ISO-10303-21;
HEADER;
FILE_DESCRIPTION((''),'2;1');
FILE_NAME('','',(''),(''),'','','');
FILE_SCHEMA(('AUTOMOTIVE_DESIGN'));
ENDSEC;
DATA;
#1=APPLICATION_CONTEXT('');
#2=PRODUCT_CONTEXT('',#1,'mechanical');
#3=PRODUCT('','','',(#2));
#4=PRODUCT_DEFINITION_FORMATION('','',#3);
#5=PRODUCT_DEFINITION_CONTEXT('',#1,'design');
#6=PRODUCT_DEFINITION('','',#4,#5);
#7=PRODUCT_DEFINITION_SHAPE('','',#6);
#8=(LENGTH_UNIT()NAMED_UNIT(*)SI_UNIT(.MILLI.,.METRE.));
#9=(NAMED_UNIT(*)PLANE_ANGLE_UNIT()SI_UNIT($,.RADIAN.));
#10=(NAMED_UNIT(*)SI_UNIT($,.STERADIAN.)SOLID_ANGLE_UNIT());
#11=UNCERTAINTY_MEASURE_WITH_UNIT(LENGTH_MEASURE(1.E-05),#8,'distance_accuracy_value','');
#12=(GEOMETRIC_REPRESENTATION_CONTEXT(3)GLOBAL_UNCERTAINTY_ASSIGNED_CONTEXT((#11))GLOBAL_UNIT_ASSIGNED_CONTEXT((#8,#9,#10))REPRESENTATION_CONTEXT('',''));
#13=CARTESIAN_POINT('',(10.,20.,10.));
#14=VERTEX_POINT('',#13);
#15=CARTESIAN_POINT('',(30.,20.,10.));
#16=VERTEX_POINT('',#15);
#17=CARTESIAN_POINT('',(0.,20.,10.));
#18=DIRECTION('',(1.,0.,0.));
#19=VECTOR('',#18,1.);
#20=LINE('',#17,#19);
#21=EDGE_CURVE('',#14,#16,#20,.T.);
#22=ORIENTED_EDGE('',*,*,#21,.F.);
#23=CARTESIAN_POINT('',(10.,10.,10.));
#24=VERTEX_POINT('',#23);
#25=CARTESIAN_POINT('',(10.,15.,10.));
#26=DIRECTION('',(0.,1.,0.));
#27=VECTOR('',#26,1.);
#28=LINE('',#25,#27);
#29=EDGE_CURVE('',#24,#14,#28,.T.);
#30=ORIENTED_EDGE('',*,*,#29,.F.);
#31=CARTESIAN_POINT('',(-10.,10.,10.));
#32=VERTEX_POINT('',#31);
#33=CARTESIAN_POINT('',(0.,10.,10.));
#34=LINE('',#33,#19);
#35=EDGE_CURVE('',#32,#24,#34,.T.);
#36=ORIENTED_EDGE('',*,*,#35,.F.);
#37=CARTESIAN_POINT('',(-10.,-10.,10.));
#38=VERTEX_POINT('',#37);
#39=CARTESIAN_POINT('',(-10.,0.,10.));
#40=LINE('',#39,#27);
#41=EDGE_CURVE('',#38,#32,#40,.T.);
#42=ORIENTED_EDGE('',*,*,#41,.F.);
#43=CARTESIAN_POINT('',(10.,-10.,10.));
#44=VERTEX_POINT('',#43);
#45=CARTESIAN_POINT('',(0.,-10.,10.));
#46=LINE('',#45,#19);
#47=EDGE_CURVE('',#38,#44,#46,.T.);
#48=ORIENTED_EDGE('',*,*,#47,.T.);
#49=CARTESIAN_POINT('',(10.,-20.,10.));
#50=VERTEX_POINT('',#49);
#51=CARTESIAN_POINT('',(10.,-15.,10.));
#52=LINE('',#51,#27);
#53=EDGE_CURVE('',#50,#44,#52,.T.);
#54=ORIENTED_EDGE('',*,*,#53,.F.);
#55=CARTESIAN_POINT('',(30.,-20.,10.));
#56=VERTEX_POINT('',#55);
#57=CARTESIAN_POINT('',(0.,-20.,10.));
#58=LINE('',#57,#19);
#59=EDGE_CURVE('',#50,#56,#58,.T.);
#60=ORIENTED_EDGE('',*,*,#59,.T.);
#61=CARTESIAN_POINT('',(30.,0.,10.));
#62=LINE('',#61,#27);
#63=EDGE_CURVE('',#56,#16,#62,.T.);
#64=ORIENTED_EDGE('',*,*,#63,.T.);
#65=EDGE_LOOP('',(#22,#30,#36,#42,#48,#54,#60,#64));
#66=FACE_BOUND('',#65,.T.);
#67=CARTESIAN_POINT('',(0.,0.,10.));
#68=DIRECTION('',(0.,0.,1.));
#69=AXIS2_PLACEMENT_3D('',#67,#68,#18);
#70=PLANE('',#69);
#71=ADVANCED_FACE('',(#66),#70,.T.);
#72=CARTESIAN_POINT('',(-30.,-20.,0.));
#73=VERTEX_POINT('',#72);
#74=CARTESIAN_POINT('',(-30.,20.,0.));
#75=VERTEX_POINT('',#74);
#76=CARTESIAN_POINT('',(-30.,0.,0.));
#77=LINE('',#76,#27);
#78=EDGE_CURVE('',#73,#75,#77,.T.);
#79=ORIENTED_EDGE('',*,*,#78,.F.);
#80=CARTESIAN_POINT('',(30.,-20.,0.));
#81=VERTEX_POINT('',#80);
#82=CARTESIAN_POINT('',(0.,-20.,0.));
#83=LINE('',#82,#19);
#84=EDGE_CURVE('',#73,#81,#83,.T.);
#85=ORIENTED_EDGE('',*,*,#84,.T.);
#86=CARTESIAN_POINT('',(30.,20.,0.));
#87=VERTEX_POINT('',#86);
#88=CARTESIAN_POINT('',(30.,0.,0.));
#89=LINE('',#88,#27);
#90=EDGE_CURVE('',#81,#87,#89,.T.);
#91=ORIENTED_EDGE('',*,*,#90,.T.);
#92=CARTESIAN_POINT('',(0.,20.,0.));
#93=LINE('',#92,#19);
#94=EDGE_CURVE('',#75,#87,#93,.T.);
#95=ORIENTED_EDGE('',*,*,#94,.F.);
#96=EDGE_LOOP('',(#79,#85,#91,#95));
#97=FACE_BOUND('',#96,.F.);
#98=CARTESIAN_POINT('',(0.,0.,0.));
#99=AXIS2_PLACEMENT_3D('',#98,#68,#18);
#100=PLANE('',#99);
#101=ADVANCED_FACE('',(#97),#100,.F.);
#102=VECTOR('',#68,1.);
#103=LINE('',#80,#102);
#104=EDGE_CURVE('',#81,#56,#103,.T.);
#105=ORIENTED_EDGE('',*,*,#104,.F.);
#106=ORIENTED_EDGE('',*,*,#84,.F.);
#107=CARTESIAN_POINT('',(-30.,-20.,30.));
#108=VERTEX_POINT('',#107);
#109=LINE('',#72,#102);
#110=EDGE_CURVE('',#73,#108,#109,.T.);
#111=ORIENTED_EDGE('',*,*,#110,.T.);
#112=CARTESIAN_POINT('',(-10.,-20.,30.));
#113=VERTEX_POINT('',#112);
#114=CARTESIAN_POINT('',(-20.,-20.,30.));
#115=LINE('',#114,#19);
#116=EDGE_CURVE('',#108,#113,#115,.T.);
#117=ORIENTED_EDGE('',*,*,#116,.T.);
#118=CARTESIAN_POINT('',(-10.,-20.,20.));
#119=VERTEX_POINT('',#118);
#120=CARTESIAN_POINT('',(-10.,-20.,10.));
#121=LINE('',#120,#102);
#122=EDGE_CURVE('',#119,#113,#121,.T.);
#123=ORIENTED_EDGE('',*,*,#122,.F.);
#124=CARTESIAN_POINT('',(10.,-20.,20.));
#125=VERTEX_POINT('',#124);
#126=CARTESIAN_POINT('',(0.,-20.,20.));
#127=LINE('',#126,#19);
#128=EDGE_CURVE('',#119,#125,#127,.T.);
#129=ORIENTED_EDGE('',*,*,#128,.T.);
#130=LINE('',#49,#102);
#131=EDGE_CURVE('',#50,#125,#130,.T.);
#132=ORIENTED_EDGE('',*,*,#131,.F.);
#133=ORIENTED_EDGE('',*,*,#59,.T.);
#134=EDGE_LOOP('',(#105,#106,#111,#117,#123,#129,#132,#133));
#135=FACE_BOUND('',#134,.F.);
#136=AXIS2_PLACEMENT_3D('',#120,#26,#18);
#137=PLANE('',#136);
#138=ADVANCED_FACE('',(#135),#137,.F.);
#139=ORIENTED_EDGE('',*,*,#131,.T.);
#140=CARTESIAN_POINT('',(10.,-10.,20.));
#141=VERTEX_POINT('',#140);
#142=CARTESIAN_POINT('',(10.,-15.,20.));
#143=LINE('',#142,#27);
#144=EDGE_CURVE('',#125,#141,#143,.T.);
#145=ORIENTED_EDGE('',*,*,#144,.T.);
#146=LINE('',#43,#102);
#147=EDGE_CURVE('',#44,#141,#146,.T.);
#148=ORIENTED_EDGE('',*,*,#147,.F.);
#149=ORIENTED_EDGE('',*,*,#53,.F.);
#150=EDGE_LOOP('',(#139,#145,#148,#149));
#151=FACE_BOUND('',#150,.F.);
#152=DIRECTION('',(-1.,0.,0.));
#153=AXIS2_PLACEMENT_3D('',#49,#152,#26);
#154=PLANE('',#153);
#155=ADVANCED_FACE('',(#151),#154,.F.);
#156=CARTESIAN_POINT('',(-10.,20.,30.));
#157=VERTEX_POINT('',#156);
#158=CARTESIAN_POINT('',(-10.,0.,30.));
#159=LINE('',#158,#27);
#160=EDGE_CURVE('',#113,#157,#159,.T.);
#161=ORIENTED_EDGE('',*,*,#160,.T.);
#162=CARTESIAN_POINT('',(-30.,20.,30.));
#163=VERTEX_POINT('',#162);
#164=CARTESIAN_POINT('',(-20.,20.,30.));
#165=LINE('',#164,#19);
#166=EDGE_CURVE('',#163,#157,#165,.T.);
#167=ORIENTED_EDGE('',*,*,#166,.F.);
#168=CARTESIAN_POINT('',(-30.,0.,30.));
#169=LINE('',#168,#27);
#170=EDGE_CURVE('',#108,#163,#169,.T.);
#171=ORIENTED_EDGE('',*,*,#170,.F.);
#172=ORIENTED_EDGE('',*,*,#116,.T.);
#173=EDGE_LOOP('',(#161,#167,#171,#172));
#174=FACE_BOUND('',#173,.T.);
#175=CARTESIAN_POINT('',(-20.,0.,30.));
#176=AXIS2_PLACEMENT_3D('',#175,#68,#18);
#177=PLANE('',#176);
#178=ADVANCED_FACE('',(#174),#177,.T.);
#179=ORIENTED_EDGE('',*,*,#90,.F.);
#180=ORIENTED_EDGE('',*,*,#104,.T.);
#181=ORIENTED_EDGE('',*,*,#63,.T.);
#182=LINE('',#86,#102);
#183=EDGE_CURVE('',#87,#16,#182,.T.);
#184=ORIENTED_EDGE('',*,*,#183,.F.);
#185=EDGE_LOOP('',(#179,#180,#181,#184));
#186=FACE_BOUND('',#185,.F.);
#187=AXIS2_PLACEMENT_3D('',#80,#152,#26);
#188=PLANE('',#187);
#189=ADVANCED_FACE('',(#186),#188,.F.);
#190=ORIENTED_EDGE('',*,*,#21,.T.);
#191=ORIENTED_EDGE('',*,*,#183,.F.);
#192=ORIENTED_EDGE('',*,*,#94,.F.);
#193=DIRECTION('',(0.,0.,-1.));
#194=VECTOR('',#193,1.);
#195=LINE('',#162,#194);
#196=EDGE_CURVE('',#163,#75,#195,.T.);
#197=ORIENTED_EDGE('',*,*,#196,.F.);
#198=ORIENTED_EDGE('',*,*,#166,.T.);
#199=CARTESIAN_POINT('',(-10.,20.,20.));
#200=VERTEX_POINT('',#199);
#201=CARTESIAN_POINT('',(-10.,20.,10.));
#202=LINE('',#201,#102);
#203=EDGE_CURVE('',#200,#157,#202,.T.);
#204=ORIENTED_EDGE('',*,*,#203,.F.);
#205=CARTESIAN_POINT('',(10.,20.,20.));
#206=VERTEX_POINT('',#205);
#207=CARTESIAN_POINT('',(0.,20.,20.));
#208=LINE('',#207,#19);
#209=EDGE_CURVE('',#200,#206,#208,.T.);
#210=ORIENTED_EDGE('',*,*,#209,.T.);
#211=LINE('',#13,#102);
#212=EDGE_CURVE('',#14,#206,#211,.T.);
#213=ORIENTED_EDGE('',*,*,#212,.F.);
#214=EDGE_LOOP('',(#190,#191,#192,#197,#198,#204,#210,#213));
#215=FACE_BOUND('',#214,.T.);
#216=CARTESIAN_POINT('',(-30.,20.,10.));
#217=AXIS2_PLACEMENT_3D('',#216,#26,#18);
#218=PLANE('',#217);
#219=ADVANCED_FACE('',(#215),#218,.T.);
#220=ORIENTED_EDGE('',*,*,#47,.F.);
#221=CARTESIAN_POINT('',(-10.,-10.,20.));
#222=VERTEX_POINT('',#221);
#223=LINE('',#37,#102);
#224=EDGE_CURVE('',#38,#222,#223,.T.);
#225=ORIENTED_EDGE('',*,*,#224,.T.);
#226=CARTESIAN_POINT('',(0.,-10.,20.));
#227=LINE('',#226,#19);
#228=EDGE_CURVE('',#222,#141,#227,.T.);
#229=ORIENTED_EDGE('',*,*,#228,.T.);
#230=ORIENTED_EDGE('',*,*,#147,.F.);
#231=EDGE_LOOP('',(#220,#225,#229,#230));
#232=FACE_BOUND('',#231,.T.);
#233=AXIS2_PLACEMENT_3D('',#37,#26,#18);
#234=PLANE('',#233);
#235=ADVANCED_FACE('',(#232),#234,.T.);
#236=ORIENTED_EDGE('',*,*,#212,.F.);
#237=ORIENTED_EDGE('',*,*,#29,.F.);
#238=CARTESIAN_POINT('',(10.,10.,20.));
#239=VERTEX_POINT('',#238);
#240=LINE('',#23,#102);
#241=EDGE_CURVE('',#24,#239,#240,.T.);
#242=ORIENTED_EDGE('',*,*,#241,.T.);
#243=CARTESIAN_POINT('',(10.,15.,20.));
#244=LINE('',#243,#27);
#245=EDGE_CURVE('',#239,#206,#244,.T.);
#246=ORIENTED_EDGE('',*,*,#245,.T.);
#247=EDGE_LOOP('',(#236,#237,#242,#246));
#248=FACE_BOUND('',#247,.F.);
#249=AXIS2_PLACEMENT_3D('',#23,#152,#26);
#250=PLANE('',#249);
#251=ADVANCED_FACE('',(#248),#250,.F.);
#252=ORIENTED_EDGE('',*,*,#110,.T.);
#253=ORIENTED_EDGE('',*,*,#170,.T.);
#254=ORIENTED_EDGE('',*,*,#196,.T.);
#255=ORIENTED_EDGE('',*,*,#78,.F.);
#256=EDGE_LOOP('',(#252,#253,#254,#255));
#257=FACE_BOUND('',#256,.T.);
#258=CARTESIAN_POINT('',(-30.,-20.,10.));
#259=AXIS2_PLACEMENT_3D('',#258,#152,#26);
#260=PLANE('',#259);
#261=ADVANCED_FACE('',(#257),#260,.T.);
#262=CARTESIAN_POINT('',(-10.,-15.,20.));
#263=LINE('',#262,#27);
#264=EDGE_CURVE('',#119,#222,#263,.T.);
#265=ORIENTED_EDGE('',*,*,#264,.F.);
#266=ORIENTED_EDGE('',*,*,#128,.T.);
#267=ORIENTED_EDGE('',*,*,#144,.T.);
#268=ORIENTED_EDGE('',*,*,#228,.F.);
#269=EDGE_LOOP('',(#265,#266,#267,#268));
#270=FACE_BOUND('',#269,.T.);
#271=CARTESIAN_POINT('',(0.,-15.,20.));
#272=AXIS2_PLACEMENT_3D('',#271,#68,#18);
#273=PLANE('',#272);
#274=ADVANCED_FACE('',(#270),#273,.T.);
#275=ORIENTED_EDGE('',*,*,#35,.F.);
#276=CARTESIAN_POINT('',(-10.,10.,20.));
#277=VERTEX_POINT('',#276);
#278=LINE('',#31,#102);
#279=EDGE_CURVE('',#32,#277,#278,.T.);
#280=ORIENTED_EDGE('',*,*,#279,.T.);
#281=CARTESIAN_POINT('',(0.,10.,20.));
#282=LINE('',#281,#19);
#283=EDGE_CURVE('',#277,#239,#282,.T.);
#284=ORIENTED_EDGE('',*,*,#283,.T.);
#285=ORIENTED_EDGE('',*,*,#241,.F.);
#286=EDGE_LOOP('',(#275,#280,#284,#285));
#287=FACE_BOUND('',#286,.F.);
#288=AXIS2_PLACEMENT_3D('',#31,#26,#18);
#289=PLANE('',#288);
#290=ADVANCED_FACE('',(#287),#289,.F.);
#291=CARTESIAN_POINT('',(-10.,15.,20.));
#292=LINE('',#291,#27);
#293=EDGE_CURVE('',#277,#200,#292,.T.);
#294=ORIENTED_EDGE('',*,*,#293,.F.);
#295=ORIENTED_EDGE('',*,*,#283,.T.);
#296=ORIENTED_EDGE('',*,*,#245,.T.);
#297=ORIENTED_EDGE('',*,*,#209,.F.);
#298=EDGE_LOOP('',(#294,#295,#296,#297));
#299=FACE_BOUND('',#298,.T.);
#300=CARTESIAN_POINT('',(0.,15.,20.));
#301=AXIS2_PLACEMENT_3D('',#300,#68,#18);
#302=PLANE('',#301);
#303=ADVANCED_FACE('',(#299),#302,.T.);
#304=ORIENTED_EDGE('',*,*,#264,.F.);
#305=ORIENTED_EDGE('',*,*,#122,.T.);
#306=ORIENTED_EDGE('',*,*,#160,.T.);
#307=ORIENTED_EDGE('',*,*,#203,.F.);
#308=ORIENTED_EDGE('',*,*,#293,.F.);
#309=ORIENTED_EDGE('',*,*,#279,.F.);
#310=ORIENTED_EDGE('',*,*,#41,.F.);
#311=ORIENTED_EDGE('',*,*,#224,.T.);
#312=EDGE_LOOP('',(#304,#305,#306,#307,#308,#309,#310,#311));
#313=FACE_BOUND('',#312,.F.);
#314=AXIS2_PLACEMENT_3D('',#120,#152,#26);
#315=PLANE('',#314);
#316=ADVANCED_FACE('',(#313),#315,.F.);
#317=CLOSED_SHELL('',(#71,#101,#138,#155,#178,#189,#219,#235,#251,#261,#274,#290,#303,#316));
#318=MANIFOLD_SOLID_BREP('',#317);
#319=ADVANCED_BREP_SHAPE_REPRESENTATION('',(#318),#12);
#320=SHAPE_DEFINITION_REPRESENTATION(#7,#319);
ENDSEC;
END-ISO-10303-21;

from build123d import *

# Parameters (mm, degrees)
F0_W     = 60
F0_H     = 40
F1_DEPTH = 10
F2_W     = 20
F2_H     = 40
F3_DEPTH = 20
F4_W     = 20
F4_H     = 10
F5_DEPTH = 10
F6_W     = 20
F6_H     = 10
F7_DEPTH = 10


with BuildPart() as f1:
    # F0 (on Top) → F1 (new body)
    with BuildSketch(Plane.XY):
        Rectangle(F0_W, F0_H)
    extrude(amount=F1_DEPTH)

    # F2 (on face) → F3 (join)
    with BuildSketch(Plane.XY.offset(10)):
        with Locations((-20, 0)):
            Rectangle(F2_W, F2_H)
    extrude(amount=F3_DEPTH)

    # F4 (on face) → F5 (join)
    with BuildSketch(Plane.XY.offset(10)):
        with Locations((0, -15)):
            Rectangle(F4_W, F4_H)
    extrude(amount=F5_DEPTH)

    # F6 (on face) → F7 (join)
    with BuildSketch(Plane.XY.offset(10)):
        with Locations((0, 15)):
            Rectangle(F6_W, F6_H)
    extrude(amount=F7_DEPTH)


solid = f1.part
